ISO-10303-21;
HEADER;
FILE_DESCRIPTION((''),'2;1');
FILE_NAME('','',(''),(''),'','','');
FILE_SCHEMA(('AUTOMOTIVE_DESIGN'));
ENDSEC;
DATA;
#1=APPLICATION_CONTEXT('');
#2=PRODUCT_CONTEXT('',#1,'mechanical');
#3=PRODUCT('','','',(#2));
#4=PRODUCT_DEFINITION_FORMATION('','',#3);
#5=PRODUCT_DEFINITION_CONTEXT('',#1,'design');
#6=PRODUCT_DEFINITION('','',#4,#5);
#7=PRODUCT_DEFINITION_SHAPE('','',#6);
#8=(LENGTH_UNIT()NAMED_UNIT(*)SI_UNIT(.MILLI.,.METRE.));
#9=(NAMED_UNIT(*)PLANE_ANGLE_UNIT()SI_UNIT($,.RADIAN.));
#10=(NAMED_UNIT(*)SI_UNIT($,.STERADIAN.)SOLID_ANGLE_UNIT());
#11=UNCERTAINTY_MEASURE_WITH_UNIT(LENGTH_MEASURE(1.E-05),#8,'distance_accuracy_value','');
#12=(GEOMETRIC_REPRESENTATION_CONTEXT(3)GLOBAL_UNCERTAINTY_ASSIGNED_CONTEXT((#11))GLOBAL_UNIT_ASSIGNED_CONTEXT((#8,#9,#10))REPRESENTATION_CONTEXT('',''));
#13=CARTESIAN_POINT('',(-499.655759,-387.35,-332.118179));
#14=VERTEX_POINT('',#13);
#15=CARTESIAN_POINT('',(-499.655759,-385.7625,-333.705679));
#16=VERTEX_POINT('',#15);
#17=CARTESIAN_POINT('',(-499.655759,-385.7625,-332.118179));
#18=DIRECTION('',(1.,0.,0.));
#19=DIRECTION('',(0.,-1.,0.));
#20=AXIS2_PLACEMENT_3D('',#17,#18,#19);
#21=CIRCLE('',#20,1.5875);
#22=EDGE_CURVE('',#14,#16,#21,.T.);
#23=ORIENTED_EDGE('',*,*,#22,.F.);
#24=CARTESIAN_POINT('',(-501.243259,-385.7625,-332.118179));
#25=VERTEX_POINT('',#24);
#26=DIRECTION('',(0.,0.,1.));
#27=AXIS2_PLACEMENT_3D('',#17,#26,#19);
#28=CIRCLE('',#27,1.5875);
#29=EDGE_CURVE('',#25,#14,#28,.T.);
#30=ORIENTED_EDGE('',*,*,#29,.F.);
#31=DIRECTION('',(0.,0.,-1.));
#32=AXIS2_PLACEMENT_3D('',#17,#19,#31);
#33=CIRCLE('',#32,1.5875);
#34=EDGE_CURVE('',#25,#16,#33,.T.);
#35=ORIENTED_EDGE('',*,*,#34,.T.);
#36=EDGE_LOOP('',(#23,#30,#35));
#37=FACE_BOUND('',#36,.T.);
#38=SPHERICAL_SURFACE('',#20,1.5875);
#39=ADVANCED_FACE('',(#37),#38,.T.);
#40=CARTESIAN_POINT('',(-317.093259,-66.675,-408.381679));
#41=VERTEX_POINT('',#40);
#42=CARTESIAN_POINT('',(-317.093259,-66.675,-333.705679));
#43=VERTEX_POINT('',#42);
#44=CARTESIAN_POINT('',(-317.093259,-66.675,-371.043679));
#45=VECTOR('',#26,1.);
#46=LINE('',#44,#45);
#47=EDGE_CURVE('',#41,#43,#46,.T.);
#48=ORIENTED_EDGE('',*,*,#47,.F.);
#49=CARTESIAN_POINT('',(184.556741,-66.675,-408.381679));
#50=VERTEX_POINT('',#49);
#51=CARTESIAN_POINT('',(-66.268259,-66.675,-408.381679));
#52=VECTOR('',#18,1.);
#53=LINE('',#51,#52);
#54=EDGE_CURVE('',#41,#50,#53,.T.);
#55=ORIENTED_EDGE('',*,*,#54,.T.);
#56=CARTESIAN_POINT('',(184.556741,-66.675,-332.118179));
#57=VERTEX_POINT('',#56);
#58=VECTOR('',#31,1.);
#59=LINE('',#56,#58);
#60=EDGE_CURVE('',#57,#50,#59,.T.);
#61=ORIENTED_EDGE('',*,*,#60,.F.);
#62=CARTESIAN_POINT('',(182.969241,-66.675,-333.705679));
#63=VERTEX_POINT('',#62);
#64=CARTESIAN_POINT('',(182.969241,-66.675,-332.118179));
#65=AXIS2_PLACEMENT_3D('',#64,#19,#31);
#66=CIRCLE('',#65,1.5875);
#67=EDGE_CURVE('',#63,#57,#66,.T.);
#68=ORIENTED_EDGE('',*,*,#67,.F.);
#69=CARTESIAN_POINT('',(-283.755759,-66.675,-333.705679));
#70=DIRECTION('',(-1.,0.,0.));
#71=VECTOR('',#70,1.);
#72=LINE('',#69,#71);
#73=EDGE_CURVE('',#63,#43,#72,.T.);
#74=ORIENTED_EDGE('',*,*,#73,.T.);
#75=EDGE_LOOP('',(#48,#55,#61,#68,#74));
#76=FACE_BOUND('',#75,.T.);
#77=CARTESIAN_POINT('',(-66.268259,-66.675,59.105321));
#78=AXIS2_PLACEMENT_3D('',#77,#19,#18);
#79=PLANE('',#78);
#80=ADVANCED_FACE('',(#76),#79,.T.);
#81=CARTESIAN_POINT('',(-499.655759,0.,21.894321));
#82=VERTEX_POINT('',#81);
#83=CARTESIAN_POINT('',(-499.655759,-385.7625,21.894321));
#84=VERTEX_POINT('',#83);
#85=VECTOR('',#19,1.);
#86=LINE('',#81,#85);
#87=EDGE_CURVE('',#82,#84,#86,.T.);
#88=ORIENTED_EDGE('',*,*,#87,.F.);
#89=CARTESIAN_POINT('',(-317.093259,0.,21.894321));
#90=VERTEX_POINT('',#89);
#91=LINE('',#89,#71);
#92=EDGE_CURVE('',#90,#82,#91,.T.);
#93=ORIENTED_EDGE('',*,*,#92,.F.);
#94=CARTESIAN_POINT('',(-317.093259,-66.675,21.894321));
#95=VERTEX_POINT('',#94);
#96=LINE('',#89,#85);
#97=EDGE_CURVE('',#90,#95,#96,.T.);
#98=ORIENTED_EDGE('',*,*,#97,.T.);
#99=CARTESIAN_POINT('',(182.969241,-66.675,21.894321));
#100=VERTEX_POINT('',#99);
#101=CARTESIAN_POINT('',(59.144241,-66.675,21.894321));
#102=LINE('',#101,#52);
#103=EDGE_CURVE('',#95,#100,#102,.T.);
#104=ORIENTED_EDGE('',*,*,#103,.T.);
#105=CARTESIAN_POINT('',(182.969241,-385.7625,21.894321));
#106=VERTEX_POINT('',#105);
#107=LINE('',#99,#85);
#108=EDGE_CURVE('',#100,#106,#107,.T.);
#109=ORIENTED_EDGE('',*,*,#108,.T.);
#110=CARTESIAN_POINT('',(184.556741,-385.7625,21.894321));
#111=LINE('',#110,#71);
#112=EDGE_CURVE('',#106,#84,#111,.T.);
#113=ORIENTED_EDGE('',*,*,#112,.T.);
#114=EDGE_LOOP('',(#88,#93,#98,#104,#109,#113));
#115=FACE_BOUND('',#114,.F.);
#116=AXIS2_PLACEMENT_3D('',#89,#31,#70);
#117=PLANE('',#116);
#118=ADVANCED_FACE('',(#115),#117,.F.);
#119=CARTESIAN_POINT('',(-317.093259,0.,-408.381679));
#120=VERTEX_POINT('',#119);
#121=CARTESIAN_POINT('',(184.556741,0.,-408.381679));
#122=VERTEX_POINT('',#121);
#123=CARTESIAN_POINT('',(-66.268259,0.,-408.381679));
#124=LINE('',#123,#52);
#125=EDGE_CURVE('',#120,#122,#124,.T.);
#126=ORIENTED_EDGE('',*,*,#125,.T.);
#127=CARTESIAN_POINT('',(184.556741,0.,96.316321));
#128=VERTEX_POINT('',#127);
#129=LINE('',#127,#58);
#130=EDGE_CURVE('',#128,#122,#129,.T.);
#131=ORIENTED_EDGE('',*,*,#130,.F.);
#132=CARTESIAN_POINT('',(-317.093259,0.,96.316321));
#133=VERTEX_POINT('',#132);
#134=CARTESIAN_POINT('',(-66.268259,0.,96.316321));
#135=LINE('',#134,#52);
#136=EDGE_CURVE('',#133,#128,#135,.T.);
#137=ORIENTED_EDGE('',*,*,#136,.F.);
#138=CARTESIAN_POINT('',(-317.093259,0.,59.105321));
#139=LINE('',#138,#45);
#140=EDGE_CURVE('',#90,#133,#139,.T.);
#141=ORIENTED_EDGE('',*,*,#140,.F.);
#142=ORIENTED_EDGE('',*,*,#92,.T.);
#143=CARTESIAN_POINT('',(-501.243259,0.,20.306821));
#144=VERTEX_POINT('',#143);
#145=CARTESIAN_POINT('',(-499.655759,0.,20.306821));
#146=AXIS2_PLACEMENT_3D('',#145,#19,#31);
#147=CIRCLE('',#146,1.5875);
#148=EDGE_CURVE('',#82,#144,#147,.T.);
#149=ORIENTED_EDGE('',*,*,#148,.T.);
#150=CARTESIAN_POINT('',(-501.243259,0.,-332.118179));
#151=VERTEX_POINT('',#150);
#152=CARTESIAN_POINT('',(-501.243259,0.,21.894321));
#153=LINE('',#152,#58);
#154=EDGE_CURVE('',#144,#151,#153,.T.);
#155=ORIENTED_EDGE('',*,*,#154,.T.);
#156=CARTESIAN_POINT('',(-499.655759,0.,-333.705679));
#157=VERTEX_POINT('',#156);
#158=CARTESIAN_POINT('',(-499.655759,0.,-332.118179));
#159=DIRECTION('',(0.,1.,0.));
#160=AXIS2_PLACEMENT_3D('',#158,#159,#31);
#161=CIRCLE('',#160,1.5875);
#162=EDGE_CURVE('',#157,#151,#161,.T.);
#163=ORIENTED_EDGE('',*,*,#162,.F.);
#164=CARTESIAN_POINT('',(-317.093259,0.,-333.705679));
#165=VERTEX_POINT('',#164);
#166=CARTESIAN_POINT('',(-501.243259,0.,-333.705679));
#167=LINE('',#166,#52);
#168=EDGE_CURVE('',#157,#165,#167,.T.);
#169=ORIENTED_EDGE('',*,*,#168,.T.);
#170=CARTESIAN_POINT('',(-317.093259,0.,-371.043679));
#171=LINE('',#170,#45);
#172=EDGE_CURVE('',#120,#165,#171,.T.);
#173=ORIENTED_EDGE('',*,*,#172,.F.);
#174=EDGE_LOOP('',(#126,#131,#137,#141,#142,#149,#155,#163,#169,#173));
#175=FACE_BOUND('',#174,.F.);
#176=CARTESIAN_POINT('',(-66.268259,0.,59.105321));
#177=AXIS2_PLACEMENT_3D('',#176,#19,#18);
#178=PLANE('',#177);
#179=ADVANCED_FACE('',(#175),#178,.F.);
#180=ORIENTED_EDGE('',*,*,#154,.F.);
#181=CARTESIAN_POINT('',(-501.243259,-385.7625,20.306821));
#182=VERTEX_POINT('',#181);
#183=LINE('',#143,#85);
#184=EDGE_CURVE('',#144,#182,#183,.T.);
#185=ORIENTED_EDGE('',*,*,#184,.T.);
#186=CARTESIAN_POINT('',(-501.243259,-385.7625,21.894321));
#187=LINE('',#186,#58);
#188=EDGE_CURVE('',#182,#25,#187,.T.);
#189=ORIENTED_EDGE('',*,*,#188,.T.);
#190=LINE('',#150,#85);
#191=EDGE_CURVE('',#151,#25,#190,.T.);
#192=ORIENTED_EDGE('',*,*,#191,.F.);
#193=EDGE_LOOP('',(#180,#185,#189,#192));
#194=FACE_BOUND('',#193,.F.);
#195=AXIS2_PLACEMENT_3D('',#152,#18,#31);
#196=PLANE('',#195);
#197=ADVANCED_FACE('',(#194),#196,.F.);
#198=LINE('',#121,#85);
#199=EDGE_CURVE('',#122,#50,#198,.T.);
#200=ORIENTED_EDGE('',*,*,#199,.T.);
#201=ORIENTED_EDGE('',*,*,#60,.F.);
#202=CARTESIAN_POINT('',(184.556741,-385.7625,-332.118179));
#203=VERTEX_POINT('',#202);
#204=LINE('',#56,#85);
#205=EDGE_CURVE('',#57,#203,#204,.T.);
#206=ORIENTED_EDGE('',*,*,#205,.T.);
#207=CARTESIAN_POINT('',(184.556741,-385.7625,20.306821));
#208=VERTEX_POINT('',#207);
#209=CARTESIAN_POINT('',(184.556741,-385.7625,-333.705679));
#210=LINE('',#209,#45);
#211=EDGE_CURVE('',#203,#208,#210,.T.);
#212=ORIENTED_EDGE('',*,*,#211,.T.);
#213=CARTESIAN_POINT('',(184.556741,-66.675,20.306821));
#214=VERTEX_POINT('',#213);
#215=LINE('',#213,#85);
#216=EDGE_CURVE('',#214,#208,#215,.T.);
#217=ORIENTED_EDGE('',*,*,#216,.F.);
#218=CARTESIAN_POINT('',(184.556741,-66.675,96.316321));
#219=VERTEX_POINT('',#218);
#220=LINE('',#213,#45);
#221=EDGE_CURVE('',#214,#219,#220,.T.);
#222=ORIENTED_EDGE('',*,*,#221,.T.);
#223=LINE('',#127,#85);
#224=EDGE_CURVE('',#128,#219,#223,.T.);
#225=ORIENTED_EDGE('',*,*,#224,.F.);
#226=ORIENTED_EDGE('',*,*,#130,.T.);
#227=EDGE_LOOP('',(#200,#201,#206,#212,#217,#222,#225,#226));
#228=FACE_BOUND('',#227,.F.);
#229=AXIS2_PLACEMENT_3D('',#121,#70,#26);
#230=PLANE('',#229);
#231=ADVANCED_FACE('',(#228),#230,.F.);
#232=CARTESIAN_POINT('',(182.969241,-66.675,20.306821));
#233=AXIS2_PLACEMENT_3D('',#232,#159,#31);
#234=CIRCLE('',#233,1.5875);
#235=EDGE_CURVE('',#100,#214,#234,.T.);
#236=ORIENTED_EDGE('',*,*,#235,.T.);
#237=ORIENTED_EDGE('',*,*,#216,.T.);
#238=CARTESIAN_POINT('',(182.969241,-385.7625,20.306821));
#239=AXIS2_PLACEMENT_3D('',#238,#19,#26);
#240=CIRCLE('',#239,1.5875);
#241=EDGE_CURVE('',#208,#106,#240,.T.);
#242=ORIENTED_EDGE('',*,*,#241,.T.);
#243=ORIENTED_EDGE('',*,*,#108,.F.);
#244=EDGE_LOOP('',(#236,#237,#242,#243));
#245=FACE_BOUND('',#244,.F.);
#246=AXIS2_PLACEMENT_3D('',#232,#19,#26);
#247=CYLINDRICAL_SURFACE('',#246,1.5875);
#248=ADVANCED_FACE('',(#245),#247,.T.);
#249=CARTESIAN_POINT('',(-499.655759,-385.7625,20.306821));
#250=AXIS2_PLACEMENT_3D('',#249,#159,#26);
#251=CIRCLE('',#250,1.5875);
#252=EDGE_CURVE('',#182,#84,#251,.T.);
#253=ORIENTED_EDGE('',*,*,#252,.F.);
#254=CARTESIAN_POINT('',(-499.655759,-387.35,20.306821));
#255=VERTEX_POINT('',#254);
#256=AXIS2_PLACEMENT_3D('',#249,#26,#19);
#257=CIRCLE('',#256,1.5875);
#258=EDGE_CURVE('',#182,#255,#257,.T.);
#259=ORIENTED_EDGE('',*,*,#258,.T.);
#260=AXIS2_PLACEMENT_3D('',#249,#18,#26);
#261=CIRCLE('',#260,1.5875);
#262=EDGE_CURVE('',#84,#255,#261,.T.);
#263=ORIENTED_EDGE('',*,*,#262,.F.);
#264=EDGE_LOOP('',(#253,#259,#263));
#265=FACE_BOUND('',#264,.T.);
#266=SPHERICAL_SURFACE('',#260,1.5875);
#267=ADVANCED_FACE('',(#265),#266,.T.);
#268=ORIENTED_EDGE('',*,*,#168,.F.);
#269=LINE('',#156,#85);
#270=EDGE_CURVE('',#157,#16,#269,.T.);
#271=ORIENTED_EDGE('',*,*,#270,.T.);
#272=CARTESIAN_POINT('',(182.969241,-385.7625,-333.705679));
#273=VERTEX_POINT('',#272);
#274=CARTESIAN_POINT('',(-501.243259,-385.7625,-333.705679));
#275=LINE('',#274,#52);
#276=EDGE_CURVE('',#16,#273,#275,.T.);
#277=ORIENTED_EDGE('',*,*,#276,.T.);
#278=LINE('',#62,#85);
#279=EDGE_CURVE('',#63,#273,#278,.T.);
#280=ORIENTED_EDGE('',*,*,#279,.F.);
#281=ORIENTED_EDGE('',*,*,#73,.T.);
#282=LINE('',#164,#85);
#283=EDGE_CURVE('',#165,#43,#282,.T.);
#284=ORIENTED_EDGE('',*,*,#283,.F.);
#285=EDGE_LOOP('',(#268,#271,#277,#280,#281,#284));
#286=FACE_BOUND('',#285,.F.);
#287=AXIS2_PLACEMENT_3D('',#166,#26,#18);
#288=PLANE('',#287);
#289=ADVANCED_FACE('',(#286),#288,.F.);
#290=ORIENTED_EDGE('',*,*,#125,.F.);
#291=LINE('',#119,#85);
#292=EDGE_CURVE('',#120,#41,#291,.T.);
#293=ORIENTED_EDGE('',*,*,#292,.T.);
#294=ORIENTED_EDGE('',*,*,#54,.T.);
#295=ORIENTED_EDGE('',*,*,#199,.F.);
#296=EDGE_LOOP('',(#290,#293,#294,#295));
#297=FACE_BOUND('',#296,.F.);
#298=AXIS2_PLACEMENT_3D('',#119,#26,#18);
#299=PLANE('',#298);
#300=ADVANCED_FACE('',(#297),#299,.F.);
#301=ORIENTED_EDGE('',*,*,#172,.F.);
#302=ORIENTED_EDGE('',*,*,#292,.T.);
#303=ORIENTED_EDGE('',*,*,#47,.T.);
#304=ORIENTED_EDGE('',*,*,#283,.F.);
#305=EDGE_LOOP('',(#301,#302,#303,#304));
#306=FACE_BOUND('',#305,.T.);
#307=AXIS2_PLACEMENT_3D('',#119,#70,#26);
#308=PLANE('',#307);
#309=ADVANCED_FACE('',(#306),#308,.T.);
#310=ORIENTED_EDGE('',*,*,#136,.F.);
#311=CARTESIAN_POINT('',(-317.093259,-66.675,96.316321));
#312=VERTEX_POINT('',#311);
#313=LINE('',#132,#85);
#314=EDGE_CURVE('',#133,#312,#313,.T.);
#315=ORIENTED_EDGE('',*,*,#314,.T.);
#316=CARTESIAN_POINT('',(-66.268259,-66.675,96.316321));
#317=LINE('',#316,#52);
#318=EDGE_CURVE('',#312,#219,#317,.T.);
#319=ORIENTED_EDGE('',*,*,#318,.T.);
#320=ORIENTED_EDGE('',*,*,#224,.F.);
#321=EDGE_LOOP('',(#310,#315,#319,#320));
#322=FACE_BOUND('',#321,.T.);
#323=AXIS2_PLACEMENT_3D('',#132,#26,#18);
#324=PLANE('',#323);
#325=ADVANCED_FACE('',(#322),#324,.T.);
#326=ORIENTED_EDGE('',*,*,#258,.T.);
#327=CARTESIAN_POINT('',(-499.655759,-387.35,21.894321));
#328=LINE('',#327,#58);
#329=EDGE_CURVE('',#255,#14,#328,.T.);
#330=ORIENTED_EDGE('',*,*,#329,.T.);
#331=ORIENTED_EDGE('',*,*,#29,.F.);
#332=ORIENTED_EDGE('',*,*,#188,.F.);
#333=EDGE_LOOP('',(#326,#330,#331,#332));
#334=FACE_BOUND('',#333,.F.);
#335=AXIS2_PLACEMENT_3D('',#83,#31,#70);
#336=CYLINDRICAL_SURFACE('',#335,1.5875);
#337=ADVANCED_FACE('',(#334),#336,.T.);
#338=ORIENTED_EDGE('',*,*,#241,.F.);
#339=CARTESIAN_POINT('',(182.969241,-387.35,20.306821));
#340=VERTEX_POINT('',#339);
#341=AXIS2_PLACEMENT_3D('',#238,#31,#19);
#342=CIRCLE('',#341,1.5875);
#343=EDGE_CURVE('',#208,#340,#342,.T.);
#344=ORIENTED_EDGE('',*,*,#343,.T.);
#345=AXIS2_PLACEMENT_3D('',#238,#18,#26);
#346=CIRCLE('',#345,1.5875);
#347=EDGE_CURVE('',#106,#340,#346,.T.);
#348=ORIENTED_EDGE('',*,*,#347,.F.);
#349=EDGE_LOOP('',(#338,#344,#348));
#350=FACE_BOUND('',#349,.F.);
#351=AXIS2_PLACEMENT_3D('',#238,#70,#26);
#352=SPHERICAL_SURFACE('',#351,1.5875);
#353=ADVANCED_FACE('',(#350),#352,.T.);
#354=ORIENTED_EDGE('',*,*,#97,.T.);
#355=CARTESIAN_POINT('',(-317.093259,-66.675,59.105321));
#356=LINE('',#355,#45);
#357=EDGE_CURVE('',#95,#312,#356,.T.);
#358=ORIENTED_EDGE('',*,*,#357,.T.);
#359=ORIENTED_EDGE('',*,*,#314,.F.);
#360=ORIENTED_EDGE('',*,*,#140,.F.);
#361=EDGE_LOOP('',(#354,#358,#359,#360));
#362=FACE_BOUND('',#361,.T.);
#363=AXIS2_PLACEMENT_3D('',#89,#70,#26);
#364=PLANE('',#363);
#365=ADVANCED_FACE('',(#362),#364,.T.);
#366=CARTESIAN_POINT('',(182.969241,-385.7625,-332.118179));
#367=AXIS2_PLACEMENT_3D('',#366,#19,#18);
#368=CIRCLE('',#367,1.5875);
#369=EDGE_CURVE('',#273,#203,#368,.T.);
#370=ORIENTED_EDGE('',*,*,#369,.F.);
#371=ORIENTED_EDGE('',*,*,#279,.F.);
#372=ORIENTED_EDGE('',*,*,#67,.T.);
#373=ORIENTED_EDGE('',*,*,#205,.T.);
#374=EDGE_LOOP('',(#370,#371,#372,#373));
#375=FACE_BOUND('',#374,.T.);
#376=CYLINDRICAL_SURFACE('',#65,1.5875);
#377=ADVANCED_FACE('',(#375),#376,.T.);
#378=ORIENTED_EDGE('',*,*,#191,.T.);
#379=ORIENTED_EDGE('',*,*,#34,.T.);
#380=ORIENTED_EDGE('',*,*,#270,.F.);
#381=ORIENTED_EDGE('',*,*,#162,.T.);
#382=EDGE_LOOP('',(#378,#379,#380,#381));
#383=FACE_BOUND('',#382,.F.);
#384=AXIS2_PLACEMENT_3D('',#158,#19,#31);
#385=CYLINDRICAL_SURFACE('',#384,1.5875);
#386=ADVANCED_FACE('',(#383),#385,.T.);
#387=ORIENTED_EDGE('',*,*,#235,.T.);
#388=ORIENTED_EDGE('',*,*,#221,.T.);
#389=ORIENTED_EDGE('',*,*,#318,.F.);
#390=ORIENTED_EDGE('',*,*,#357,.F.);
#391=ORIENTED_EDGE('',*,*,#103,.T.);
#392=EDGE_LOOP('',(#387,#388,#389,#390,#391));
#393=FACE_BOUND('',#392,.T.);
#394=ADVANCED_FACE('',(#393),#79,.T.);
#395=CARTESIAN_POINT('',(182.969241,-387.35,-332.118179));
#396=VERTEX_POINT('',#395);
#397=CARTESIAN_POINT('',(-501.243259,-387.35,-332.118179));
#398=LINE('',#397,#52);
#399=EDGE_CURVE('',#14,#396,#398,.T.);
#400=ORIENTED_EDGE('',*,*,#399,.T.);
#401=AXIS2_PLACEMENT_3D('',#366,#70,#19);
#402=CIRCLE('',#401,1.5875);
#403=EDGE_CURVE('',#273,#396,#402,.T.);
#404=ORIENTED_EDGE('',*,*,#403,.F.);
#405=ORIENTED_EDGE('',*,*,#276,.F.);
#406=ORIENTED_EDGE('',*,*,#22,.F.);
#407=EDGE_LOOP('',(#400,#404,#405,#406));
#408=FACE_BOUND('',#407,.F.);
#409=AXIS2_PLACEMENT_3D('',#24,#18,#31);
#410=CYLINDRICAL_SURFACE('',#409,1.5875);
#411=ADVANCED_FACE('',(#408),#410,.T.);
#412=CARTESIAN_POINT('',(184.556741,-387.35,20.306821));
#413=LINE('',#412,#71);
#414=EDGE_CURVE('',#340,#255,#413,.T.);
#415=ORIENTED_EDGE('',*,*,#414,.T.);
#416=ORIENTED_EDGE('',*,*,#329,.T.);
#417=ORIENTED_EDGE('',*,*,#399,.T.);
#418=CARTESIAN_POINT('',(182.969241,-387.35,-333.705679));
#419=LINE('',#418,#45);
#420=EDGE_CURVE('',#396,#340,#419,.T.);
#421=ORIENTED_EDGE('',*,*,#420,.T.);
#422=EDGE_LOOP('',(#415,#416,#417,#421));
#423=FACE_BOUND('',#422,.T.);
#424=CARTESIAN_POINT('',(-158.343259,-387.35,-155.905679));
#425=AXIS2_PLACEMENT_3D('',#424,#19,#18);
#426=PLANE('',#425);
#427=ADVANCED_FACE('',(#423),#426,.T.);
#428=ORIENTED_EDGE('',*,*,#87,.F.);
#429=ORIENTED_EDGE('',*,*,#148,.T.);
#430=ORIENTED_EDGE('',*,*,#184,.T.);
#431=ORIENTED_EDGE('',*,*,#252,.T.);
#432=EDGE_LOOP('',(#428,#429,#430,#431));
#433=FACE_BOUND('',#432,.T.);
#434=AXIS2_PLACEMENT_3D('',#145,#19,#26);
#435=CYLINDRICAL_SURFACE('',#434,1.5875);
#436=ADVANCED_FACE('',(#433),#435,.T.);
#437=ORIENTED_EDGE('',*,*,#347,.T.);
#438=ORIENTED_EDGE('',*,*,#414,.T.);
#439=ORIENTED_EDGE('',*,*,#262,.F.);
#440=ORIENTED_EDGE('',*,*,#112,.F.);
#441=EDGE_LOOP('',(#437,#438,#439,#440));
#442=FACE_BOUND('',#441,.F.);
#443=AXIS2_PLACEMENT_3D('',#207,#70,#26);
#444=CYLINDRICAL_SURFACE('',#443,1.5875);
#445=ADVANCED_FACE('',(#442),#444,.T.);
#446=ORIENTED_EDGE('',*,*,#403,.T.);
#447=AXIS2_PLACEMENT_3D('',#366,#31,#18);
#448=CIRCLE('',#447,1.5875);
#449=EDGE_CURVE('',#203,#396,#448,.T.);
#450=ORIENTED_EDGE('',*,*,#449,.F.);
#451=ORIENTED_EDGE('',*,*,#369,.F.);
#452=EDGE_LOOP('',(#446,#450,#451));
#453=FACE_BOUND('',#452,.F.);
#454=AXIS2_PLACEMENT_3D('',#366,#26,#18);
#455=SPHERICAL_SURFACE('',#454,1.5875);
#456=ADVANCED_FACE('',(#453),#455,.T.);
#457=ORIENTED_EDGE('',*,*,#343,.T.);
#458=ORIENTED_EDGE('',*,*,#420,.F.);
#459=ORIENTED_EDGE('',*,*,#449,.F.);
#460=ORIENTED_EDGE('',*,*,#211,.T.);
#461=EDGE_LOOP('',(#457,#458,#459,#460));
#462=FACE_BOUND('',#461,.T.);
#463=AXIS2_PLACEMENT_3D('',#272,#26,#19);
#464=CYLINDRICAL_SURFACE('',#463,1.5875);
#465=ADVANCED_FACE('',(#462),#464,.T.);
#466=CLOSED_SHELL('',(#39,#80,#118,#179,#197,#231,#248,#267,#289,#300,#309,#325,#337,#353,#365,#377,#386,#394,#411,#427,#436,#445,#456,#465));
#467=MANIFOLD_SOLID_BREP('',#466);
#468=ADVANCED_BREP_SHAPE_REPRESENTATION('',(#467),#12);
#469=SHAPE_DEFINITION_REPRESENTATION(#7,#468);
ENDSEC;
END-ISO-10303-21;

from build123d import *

# Parameters (mm, degrees)
F0_W     = 501.65
F0_H     = 74.422
F0_H_2   = 74.676
F1_DEPTH = 66.675
F2_DEPTH = 387.35
F3_R     = 1.5875


with BuildPart() as f1:
    # F0 (on Front) → F1 (new body)
    with BuildSketch(Plane.XZ):
        with Locations((-66.268259, 59.105321)):
            Rectangle(F0_W, F0_H)
        Polygon((-317.093259, 21.894321), (-501.243259, 21.894321), (-501.243259, -333.705679), (-317.093259, -333.705679), (184.556741, -333.705679), (184.556741, 21.894321), align=None)
        with Locations((-66.268259, -371.043679)):
            Rectangle(F0_W, F0_H_2)
    extrude(amount=F1_DEPTH)

    # F0 (on Front) → F2 (join)
    with BuildSketch(Plane.XZ):
        Polygon((-317.093259, 21.894321), (-501.243259, 21.894321), (-501.243259, -333.705679), (-317.093259, -333.705679), (184.556741, -333.705679), (184.556741, 21.894321), align=None)
    extrude(amount=F2_DEPTH)

    # F3
    f3_edges = [f1.edges().sort_by_distance(p)[0] for p in [
        (-158.343259, -387.35, 21.894321),
        (-501.243259, -193.675, 21.894321),
        (184.556741, -227.0125, 21.894321),
        (184.556741, -387.35, -155.905679),
        (184.556741, -227.0125, -333.705679),
        (-158.343259, -387.35, -333.705679),
        (-501.243259, -387.35, -155.905679),
        (-501.243259, -193.675, -333.705679),
    ]]
    fillet(f3_edges, radius=F3_R)


solid = f1.part
